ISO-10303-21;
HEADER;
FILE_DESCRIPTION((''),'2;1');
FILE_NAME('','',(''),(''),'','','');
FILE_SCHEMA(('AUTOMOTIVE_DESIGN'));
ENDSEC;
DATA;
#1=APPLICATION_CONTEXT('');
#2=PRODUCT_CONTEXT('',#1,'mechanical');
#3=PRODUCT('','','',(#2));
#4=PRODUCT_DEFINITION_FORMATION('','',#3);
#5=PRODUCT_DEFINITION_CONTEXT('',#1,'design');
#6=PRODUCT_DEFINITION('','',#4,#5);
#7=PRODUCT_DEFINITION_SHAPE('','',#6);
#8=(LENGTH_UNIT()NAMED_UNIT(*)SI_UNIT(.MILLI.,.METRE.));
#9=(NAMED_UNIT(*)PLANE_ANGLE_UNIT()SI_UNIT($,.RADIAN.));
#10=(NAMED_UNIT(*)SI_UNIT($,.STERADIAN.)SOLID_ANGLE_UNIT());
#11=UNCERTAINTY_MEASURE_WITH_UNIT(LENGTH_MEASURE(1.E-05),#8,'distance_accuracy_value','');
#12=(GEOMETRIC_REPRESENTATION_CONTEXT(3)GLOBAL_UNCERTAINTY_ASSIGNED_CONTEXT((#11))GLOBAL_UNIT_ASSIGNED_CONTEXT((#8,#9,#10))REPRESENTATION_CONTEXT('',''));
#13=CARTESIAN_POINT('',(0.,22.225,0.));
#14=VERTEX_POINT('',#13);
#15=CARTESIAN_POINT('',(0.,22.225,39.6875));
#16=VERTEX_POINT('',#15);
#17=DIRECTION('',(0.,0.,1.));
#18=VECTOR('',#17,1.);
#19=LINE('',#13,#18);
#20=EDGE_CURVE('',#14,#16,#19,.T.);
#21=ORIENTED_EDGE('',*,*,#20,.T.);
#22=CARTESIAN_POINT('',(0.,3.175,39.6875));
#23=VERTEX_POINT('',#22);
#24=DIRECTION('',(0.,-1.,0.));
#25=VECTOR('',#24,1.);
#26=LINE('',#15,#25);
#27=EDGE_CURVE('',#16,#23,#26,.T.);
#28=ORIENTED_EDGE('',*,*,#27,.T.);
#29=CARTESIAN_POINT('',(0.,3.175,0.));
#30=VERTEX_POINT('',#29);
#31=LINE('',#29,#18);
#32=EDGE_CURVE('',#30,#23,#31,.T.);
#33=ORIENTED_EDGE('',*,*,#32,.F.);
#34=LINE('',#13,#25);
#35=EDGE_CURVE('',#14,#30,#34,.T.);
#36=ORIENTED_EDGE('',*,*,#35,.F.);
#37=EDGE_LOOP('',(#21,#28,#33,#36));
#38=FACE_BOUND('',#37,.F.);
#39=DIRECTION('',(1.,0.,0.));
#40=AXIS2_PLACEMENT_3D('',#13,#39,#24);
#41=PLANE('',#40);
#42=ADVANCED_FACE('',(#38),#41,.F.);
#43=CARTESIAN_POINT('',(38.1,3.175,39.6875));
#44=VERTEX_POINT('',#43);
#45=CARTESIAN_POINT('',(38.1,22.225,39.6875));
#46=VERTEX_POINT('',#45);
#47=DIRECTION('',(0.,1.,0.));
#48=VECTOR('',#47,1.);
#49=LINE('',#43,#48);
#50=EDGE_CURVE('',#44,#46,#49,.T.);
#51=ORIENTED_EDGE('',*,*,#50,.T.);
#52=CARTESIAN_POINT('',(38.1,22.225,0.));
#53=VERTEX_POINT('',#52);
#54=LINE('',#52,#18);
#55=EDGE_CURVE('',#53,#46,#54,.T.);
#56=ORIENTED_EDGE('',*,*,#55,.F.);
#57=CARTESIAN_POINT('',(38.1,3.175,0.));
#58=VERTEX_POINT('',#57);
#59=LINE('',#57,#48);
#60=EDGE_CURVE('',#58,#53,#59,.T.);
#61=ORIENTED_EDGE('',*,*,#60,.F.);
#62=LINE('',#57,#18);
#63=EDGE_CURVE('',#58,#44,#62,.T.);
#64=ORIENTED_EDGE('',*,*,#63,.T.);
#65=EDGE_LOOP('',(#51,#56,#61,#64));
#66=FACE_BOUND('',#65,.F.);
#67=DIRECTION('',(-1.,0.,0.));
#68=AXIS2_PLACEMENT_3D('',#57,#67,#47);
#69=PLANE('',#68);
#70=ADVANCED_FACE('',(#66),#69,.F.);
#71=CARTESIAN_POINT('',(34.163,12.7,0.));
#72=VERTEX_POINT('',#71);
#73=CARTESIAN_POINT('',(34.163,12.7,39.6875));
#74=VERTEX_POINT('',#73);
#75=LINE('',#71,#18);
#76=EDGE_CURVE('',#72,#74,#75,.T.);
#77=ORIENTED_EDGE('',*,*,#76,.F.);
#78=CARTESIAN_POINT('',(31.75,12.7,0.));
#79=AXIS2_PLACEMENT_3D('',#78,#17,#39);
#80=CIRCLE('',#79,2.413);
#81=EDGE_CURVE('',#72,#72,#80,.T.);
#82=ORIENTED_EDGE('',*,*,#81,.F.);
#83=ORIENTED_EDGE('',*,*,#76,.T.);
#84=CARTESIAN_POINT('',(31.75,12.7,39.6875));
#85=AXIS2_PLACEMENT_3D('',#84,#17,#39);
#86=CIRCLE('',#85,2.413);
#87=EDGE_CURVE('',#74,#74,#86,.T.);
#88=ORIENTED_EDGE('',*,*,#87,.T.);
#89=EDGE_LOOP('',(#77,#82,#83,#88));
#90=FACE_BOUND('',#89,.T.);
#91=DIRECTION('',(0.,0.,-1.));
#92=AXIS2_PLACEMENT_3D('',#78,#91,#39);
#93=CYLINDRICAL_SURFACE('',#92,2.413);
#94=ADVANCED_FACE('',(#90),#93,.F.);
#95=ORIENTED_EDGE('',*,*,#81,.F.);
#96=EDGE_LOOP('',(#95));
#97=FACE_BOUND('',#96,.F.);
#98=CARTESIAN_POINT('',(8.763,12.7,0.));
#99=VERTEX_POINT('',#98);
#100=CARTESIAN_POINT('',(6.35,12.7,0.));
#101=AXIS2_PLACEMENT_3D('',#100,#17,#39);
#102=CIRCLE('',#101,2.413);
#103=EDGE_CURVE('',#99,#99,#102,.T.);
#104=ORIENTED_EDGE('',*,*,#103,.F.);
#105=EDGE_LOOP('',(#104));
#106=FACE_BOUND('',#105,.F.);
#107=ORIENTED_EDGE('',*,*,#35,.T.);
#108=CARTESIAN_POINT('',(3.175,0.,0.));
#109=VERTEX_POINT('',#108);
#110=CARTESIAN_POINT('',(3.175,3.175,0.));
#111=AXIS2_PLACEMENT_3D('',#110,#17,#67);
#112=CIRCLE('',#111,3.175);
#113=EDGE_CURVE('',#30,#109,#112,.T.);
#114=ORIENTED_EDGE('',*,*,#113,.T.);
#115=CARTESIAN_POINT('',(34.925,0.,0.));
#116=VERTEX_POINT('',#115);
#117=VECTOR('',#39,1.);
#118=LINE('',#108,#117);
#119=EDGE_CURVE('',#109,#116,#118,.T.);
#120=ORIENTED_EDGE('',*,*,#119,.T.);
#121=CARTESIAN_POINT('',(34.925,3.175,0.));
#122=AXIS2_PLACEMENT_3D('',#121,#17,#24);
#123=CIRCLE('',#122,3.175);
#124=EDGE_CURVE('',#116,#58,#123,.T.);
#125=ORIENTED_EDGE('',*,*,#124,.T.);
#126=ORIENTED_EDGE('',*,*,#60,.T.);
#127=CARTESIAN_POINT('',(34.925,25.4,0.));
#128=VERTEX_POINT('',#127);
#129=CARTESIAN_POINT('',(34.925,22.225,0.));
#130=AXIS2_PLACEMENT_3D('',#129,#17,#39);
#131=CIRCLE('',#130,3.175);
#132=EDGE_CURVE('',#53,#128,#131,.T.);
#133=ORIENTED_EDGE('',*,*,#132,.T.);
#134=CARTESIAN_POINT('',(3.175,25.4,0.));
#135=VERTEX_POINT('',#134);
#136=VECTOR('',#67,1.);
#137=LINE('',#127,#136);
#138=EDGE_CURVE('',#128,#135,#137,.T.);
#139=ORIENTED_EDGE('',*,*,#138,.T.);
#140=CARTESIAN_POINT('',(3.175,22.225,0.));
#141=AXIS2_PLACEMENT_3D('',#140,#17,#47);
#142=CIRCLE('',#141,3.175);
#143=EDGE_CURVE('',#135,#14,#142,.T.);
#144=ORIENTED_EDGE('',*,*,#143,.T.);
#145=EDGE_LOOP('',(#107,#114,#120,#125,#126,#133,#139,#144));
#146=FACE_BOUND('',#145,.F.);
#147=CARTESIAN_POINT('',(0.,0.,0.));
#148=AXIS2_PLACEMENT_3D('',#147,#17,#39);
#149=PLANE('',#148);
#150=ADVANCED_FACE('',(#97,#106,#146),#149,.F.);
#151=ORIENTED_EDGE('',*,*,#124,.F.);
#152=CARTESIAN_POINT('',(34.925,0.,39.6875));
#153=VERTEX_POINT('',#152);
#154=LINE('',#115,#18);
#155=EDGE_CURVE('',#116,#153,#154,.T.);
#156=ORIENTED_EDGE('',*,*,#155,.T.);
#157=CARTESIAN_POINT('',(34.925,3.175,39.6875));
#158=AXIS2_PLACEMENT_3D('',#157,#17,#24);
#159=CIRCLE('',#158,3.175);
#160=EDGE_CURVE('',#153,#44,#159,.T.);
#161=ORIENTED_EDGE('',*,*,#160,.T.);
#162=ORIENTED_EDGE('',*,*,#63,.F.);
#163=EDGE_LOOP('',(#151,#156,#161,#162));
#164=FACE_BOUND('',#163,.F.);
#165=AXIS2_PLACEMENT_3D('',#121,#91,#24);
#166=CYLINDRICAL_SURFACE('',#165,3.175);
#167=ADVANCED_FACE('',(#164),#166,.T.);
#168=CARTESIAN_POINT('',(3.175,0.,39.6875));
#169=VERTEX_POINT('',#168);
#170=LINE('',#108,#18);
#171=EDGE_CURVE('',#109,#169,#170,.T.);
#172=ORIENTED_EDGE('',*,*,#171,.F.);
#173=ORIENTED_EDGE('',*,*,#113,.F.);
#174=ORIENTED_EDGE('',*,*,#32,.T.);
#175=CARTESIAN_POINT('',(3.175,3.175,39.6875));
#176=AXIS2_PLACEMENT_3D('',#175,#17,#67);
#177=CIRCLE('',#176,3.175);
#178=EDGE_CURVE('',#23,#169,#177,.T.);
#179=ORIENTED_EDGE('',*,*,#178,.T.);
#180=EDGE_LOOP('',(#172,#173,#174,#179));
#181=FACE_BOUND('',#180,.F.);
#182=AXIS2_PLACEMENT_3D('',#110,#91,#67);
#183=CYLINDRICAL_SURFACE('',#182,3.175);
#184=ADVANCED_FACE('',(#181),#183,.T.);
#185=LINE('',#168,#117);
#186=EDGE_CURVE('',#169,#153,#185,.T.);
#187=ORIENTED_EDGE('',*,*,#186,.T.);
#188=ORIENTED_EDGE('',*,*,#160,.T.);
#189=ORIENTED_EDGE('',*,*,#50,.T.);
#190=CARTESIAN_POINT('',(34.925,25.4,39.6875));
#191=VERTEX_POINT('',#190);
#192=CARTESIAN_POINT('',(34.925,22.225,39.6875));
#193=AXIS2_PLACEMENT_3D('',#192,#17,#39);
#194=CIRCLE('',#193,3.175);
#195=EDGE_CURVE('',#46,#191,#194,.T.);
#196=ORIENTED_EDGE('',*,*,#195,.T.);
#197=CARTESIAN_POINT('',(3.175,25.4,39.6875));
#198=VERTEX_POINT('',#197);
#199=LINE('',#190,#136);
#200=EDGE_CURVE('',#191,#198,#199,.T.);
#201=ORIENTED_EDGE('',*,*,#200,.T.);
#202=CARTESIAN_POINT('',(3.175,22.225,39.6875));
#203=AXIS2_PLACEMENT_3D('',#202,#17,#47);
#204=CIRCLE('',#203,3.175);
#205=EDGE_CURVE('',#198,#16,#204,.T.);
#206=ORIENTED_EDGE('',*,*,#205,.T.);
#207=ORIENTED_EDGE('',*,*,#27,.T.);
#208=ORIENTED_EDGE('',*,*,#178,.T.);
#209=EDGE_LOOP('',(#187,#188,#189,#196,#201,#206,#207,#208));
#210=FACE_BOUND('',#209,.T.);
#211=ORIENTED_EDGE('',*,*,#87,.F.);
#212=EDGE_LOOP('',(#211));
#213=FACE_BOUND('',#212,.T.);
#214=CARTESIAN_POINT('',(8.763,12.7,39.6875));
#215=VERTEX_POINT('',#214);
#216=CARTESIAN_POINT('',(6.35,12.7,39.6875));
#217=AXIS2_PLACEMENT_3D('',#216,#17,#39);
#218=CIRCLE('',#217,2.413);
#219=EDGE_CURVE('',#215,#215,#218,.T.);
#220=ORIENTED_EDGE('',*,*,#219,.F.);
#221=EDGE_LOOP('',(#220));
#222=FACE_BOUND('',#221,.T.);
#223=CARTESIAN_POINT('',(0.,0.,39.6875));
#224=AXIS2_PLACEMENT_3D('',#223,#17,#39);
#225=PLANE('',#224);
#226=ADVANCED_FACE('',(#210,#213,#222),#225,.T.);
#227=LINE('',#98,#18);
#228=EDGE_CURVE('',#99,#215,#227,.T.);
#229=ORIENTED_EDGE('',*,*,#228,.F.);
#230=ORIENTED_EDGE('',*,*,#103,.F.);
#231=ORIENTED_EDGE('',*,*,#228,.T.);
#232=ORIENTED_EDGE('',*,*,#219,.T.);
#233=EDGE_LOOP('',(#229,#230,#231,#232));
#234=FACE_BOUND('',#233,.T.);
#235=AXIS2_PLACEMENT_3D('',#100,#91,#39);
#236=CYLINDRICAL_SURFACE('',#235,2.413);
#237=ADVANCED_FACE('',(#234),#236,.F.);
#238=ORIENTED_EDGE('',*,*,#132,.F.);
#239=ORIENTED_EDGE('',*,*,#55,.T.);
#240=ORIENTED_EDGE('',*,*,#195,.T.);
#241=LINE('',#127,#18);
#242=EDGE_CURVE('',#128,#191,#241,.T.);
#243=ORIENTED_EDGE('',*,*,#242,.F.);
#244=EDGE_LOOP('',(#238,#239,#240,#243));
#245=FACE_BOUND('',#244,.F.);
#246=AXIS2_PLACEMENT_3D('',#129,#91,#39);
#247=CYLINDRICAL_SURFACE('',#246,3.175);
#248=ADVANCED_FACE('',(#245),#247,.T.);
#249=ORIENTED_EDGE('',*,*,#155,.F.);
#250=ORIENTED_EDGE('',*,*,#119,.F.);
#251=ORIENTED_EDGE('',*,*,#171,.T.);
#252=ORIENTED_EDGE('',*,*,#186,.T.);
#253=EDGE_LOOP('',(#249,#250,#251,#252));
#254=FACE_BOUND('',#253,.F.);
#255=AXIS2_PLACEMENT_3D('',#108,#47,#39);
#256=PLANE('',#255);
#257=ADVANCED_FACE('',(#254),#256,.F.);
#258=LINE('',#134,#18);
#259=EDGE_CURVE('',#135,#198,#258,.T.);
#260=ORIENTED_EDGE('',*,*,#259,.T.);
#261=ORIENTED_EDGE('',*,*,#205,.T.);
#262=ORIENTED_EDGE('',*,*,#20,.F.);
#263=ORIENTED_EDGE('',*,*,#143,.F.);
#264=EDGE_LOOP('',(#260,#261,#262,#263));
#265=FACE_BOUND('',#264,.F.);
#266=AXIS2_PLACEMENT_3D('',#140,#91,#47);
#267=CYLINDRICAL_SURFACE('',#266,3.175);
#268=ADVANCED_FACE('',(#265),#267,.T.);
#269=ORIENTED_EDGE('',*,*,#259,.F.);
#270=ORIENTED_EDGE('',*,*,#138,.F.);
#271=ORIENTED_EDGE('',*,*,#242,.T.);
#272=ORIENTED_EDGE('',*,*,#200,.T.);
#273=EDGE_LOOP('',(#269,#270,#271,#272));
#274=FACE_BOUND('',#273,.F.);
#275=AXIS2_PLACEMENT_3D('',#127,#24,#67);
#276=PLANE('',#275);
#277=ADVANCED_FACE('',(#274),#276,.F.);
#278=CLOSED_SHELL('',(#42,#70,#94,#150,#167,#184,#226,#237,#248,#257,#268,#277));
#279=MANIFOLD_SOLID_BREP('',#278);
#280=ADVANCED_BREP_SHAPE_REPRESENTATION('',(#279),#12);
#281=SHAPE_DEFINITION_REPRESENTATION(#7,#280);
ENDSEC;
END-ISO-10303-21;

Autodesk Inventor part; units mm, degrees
ref_plane "YZ Plane" through (0, 0, 0) normal (1, 0, 0) x (0, 1, 0)
ref_plane "XZ Plane" through (0, 0, 0) normal (0, 1, 0) x (-1, 0, 0)
ref_plane "XY Plane" through (0, 0, 0) normal (0, 0, 1) x (1, 0, 0)
sketch "Sketch1" plane through (0, 0, 0) normal (0, 0, 1) x (1, 0, 0)
  line L0 (3.175, 0) -> (34.925, 0)
  line L1 (38.1, 3.175) -> (38.1, 22.225)
  line L2 (34.925, 25.4) -> (3.175, 25.4)
  line L3 (0, 22.225) -> (0, 3.175)
  circle A0 centre (6.35, 12.7) radius 2.413
  circle A1 centre (31.75, 12.7) radius 2.413
  line L4 (0, 12.7) -> (38.1, 12.7) construction
  arc A2 (3.175, 25.4) -> (0, 22.225) centre (3.175, 22.225) ccw
  arc A3 (38.1, 22.225) -> (34.925, 25.4) centre (34.925, 22.225) ccw
  arc A4 (34.925, 0) -> (38.1, 3.175) centre (34.925, 3.175) ccw
  arc A5 (0, 3.175) -> (3.175, 0) centre (3.175, 3.175) ccw
  point P0 (0, 0)
  point P1 (38.1, 25.4)
  point P2 (38.1, 0)
  point P3 (0, 25.4)
  dimension "d0" = 38.1
  dimension "d1" = 25.4
  dimension "d2" = 4.826
  dimension "d3" = 6.35
  dimension "d7" = 25.4
  dimension "d20" = 3.175
extrude "Extrusion1" add sketch "Sketch1" along normal blind 39.6875
properties part number "Bearing Mount Spacer big in" material "ABS Plastic"
